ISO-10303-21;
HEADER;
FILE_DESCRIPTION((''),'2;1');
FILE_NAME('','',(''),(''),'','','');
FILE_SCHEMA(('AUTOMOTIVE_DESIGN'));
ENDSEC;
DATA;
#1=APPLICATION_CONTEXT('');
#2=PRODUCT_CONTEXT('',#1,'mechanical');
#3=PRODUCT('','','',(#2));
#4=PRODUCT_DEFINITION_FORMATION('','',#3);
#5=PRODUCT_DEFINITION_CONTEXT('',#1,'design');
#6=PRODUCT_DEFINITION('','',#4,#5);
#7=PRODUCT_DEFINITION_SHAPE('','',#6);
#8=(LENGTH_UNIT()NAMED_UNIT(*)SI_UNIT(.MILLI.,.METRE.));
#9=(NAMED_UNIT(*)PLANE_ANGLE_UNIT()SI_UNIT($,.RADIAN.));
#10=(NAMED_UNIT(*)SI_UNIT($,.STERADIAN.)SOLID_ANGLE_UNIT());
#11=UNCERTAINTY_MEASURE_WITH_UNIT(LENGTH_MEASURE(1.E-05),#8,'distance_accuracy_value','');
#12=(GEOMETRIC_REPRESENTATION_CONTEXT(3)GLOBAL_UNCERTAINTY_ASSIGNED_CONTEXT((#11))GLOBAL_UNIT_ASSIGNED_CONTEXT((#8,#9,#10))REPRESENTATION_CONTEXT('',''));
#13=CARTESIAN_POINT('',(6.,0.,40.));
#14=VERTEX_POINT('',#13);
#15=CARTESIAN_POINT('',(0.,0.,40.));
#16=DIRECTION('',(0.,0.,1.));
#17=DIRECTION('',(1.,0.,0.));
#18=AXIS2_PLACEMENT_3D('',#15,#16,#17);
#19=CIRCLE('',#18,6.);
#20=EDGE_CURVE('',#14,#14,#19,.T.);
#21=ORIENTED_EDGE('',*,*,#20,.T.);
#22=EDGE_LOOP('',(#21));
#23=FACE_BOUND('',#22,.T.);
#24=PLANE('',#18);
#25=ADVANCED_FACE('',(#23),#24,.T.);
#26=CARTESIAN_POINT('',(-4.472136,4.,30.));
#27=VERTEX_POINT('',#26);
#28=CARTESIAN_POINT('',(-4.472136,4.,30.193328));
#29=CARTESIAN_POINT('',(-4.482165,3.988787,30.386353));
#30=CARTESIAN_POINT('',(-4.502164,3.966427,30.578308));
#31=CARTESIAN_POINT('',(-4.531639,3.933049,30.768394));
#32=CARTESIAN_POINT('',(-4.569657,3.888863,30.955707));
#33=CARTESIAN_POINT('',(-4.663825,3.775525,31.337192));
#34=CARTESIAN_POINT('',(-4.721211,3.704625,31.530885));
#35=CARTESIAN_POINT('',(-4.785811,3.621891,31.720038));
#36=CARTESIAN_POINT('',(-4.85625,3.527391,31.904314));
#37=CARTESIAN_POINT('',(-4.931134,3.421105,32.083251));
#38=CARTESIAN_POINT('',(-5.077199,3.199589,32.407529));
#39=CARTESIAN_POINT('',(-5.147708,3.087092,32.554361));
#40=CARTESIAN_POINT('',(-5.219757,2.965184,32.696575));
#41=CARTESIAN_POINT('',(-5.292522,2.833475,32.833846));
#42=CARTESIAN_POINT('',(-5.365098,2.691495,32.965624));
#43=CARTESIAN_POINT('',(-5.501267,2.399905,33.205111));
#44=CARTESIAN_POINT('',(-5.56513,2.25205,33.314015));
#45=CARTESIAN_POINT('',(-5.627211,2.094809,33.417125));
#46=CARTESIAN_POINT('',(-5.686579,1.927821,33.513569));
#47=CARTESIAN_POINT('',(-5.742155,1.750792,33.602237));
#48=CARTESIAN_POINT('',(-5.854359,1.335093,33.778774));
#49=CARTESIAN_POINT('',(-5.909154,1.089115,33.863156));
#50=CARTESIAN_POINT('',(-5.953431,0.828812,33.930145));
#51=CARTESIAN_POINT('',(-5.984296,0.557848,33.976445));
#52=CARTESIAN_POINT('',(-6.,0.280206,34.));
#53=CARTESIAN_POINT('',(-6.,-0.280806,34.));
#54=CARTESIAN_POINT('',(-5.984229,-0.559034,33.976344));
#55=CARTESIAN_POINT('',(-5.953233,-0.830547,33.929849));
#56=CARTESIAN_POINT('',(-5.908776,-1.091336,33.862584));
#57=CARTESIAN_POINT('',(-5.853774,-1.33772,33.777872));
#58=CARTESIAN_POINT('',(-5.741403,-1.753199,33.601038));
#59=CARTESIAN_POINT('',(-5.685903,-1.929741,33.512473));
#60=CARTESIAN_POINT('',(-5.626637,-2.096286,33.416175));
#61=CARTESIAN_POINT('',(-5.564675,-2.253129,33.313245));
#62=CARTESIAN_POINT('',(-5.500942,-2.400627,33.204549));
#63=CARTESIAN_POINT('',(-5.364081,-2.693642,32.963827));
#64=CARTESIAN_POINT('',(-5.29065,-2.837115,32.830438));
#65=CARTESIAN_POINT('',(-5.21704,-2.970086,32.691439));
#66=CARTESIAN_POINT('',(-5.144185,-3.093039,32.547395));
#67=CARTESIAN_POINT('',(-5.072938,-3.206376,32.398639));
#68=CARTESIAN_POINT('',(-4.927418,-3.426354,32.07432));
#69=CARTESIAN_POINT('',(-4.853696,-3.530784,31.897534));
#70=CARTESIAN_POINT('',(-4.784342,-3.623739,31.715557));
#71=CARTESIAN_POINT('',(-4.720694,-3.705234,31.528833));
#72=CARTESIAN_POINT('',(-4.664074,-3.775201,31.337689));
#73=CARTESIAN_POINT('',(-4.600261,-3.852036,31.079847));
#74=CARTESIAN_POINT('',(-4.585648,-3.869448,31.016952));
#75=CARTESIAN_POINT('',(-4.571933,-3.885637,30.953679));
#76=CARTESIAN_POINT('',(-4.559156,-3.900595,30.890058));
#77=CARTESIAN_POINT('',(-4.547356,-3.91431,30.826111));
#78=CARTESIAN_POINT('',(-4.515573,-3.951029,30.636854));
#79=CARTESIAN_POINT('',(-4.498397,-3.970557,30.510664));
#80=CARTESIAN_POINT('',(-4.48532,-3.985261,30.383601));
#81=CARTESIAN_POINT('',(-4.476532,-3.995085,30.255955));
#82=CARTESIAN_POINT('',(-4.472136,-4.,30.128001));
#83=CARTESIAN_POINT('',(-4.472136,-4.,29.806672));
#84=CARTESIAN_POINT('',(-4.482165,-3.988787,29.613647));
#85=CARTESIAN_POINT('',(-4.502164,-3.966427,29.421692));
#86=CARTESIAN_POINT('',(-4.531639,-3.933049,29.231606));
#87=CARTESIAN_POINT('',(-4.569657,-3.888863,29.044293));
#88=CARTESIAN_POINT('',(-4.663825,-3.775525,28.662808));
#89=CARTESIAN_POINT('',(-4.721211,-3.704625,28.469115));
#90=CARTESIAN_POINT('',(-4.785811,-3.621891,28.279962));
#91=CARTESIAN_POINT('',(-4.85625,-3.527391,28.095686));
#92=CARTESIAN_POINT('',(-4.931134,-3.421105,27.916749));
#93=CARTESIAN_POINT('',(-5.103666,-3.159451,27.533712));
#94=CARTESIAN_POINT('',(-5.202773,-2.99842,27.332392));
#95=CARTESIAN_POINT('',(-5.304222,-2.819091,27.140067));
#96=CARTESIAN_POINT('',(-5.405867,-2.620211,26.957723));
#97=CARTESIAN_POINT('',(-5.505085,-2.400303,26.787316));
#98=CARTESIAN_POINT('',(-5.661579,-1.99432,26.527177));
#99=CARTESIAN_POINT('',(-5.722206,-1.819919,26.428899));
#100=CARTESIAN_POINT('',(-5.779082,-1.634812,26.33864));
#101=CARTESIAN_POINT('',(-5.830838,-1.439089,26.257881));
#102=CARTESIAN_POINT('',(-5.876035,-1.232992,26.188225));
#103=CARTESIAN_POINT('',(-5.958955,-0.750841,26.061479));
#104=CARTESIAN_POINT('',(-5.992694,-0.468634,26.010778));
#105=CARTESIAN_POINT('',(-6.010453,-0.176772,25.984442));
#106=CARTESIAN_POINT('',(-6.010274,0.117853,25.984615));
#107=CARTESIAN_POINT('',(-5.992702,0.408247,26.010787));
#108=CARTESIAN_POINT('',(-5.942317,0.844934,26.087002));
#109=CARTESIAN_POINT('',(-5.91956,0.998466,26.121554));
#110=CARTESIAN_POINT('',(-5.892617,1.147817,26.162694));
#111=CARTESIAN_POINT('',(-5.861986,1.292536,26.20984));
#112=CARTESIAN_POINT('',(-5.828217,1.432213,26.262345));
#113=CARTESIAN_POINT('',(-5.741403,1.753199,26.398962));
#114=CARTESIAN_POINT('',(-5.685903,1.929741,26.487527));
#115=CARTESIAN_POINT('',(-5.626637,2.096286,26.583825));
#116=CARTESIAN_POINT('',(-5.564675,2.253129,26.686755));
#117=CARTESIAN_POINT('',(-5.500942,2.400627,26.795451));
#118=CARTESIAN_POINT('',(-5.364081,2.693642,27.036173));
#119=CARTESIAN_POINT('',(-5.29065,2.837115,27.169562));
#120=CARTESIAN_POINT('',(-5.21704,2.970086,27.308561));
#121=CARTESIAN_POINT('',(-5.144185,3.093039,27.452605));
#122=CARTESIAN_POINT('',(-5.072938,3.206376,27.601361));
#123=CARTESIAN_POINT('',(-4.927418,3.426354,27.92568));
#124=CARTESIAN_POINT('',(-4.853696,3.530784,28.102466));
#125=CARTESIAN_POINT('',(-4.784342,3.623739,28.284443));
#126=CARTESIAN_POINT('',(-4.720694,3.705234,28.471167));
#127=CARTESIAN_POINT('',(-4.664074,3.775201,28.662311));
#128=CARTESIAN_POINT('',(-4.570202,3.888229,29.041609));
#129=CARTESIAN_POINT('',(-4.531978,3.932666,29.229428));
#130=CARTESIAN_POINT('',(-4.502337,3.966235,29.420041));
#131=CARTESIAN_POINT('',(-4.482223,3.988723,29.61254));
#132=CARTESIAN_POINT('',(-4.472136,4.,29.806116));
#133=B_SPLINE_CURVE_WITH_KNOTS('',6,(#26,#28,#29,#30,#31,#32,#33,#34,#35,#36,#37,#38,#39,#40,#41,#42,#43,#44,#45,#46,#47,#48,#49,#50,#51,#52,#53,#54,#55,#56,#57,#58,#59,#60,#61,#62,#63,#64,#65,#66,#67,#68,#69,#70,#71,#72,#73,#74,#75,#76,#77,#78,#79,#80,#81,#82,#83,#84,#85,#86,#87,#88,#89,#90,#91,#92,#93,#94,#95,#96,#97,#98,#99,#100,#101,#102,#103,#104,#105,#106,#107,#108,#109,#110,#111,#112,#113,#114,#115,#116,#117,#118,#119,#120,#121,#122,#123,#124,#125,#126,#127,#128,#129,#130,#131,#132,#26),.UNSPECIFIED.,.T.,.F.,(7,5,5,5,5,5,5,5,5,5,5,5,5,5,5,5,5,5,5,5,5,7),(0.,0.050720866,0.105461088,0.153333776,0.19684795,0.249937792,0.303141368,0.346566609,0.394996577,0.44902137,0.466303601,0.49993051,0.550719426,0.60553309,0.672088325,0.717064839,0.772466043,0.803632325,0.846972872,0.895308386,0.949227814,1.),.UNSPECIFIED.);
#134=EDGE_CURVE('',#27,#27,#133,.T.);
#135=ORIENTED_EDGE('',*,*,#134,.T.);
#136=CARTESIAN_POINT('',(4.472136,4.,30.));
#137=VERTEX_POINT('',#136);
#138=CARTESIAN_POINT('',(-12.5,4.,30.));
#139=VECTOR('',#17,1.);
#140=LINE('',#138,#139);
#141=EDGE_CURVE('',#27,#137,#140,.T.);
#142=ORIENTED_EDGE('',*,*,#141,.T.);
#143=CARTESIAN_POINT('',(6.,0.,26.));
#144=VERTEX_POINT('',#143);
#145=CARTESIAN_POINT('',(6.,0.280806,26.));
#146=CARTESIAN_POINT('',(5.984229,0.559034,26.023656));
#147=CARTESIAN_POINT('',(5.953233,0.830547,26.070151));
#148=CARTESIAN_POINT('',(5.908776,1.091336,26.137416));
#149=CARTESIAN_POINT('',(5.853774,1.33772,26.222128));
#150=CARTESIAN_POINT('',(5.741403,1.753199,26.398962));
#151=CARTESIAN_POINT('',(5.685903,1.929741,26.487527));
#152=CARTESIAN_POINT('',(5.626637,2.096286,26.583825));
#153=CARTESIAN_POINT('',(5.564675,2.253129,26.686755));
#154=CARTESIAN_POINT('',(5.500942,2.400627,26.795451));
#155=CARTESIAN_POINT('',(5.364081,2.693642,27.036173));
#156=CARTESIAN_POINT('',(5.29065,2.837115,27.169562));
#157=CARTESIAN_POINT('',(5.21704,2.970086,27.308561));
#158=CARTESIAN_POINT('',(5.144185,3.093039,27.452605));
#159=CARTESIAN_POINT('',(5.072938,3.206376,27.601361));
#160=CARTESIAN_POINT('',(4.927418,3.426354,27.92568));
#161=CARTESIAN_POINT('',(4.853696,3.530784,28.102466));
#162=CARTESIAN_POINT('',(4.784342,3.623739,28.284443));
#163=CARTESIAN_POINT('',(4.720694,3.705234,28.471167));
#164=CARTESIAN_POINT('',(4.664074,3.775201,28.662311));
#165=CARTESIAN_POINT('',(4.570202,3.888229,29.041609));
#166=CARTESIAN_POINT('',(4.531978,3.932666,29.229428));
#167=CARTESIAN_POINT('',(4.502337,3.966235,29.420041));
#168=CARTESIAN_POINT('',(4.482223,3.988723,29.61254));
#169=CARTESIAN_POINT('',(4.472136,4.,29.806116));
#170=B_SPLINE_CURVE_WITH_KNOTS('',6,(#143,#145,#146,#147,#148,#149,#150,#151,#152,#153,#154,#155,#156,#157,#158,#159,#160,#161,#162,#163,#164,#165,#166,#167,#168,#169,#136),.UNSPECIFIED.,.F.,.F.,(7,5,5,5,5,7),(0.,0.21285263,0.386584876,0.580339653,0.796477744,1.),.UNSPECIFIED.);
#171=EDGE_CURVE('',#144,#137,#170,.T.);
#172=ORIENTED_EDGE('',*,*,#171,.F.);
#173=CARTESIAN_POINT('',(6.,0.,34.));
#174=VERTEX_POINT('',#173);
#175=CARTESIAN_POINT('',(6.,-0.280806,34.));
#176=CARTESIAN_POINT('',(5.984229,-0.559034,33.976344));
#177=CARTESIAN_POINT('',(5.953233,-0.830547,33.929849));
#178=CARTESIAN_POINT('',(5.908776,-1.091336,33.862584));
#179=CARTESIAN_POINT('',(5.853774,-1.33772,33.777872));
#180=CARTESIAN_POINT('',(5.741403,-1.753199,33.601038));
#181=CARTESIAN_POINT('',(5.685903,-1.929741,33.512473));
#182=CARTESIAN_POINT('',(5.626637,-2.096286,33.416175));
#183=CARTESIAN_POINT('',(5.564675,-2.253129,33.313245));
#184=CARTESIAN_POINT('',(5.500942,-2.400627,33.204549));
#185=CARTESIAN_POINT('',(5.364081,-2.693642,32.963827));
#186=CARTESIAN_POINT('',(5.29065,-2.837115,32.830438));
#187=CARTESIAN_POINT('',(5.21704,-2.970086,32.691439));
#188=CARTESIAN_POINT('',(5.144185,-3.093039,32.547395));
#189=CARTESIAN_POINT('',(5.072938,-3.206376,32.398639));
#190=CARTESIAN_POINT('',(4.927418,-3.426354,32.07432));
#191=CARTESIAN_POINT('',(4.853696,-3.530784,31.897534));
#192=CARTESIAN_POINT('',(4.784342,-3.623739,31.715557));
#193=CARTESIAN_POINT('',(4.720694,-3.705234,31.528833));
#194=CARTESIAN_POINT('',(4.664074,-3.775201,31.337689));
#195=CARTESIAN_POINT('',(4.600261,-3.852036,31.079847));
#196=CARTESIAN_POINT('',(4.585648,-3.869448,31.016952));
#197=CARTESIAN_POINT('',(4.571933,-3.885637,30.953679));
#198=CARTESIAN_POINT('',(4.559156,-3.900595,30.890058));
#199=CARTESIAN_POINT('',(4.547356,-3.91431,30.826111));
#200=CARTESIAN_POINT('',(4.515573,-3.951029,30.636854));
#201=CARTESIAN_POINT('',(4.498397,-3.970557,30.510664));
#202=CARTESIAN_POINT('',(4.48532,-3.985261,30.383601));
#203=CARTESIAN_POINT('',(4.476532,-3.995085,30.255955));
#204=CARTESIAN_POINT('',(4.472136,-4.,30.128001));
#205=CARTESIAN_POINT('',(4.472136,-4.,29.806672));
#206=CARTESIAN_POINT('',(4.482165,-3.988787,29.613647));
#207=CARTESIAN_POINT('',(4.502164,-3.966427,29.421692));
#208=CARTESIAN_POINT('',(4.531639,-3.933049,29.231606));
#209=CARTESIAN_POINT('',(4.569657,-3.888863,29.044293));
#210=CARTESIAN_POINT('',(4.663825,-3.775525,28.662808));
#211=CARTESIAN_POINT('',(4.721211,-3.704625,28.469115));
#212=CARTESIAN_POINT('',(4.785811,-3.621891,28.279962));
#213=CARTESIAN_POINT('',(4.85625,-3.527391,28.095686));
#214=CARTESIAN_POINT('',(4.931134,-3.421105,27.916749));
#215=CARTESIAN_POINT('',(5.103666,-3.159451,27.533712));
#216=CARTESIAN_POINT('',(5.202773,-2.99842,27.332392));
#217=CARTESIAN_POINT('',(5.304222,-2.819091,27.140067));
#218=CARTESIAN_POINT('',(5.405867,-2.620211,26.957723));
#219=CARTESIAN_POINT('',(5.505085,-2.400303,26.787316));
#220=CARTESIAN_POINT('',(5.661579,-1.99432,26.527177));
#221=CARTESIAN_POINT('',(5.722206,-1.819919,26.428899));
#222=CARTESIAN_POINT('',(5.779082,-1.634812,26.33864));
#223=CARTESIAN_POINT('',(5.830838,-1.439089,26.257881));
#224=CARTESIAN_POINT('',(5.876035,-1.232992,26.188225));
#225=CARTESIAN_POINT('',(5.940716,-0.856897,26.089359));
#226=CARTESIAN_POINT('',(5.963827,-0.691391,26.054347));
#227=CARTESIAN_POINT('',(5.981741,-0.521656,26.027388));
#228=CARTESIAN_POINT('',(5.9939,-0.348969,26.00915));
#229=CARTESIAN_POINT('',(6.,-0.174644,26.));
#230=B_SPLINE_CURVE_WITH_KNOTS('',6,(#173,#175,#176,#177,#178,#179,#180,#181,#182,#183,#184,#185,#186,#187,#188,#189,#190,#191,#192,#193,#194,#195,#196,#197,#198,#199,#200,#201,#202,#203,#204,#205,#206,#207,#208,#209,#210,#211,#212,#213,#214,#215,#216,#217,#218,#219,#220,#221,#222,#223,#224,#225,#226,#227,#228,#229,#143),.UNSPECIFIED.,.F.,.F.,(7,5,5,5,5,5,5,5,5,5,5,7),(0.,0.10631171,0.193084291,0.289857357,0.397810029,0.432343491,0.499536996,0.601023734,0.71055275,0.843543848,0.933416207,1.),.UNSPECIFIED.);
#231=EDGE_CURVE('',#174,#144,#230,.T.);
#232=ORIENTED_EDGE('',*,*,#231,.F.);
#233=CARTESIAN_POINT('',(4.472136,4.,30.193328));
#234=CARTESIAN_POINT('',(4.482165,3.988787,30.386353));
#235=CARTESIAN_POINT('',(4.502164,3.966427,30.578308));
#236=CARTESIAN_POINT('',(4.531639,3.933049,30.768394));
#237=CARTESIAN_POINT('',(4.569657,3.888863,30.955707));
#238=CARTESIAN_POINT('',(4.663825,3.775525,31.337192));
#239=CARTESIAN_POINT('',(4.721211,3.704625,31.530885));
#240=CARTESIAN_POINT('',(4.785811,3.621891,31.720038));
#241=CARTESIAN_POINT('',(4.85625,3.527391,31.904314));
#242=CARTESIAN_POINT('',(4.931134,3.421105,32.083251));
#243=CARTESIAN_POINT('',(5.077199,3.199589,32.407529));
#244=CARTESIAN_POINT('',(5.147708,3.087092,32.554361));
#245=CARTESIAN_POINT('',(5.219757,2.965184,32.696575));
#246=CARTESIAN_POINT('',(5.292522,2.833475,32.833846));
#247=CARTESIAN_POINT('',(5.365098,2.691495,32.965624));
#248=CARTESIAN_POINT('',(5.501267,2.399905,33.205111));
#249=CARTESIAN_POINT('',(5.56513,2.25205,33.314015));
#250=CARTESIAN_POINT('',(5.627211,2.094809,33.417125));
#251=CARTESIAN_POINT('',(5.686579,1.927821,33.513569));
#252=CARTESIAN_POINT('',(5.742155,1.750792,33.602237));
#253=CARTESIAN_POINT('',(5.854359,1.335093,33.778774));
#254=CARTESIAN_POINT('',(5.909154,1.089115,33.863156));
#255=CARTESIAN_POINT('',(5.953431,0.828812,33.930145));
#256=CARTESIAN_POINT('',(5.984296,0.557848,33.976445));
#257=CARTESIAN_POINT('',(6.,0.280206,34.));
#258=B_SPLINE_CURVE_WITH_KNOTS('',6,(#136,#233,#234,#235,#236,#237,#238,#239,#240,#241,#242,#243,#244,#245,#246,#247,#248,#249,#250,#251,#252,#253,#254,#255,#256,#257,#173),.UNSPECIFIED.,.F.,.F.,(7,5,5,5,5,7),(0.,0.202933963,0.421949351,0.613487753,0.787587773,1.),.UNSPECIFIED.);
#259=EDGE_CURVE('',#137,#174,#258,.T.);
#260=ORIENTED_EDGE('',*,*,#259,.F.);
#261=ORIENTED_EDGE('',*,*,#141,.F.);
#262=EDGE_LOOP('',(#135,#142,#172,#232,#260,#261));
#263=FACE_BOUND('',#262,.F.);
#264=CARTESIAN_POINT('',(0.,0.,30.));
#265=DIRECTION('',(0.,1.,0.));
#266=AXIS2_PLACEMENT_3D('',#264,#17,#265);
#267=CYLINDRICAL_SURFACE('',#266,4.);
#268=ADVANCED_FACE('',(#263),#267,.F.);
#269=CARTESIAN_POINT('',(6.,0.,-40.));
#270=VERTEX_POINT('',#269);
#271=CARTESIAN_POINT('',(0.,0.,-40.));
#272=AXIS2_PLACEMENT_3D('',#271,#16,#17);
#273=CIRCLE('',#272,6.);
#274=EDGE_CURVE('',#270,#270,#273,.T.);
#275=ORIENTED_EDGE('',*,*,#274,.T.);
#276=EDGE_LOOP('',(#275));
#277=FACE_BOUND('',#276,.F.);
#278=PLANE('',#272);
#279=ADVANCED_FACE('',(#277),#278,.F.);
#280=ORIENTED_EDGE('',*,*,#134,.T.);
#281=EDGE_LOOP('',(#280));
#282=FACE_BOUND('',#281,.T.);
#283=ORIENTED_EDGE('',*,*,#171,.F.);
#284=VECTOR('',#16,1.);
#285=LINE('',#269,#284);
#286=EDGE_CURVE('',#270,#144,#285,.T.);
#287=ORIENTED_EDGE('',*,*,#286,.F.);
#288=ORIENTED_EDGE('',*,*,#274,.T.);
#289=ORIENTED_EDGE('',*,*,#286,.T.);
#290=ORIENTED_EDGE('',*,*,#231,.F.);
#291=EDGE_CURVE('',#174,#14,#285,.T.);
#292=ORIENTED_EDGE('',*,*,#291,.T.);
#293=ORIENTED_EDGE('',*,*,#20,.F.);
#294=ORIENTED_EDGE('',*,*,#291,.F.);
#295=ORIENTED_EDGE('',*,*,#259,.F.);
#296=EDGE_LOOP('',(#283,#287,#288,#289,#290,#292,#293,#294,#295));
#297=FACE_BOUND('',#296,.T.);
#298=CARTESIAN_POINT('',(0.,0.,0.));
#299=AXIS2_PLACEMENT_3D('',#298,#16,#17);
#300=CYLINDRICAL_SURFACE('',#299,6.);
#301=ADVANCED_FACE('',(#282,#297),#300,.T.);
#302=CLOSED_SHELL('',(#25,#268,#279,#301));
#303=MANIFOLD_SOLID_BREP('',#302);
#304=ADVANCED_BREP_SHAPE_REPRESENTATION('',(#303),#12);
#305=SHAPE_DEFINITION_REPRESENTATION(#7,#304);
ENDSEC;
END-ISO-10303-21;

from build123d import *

# Parameters (mm, degrees)
F0_R     = 6
F1_DEPTH = 40
F2_R     = 4
F3_DEPTH = 12.5


with BuildPart() as f1:
    # F0 (on Top) → F1 (new body, symmetric)
    with BuildSketch(Plane.XY):
        Circle(F0_R)
    extrude(amount=F1_DEPTH, both=True)

    # F2 (on Right) → F3 (cut, symmetric)
    with BuildSketch(Plane.YZ):
        with Locations((0, 30)):
            Circle(F2_R)
    extrude(amount=F3_DEPTH, both=True, mode=Mode.SUBTRACT)


solid = f1.part
